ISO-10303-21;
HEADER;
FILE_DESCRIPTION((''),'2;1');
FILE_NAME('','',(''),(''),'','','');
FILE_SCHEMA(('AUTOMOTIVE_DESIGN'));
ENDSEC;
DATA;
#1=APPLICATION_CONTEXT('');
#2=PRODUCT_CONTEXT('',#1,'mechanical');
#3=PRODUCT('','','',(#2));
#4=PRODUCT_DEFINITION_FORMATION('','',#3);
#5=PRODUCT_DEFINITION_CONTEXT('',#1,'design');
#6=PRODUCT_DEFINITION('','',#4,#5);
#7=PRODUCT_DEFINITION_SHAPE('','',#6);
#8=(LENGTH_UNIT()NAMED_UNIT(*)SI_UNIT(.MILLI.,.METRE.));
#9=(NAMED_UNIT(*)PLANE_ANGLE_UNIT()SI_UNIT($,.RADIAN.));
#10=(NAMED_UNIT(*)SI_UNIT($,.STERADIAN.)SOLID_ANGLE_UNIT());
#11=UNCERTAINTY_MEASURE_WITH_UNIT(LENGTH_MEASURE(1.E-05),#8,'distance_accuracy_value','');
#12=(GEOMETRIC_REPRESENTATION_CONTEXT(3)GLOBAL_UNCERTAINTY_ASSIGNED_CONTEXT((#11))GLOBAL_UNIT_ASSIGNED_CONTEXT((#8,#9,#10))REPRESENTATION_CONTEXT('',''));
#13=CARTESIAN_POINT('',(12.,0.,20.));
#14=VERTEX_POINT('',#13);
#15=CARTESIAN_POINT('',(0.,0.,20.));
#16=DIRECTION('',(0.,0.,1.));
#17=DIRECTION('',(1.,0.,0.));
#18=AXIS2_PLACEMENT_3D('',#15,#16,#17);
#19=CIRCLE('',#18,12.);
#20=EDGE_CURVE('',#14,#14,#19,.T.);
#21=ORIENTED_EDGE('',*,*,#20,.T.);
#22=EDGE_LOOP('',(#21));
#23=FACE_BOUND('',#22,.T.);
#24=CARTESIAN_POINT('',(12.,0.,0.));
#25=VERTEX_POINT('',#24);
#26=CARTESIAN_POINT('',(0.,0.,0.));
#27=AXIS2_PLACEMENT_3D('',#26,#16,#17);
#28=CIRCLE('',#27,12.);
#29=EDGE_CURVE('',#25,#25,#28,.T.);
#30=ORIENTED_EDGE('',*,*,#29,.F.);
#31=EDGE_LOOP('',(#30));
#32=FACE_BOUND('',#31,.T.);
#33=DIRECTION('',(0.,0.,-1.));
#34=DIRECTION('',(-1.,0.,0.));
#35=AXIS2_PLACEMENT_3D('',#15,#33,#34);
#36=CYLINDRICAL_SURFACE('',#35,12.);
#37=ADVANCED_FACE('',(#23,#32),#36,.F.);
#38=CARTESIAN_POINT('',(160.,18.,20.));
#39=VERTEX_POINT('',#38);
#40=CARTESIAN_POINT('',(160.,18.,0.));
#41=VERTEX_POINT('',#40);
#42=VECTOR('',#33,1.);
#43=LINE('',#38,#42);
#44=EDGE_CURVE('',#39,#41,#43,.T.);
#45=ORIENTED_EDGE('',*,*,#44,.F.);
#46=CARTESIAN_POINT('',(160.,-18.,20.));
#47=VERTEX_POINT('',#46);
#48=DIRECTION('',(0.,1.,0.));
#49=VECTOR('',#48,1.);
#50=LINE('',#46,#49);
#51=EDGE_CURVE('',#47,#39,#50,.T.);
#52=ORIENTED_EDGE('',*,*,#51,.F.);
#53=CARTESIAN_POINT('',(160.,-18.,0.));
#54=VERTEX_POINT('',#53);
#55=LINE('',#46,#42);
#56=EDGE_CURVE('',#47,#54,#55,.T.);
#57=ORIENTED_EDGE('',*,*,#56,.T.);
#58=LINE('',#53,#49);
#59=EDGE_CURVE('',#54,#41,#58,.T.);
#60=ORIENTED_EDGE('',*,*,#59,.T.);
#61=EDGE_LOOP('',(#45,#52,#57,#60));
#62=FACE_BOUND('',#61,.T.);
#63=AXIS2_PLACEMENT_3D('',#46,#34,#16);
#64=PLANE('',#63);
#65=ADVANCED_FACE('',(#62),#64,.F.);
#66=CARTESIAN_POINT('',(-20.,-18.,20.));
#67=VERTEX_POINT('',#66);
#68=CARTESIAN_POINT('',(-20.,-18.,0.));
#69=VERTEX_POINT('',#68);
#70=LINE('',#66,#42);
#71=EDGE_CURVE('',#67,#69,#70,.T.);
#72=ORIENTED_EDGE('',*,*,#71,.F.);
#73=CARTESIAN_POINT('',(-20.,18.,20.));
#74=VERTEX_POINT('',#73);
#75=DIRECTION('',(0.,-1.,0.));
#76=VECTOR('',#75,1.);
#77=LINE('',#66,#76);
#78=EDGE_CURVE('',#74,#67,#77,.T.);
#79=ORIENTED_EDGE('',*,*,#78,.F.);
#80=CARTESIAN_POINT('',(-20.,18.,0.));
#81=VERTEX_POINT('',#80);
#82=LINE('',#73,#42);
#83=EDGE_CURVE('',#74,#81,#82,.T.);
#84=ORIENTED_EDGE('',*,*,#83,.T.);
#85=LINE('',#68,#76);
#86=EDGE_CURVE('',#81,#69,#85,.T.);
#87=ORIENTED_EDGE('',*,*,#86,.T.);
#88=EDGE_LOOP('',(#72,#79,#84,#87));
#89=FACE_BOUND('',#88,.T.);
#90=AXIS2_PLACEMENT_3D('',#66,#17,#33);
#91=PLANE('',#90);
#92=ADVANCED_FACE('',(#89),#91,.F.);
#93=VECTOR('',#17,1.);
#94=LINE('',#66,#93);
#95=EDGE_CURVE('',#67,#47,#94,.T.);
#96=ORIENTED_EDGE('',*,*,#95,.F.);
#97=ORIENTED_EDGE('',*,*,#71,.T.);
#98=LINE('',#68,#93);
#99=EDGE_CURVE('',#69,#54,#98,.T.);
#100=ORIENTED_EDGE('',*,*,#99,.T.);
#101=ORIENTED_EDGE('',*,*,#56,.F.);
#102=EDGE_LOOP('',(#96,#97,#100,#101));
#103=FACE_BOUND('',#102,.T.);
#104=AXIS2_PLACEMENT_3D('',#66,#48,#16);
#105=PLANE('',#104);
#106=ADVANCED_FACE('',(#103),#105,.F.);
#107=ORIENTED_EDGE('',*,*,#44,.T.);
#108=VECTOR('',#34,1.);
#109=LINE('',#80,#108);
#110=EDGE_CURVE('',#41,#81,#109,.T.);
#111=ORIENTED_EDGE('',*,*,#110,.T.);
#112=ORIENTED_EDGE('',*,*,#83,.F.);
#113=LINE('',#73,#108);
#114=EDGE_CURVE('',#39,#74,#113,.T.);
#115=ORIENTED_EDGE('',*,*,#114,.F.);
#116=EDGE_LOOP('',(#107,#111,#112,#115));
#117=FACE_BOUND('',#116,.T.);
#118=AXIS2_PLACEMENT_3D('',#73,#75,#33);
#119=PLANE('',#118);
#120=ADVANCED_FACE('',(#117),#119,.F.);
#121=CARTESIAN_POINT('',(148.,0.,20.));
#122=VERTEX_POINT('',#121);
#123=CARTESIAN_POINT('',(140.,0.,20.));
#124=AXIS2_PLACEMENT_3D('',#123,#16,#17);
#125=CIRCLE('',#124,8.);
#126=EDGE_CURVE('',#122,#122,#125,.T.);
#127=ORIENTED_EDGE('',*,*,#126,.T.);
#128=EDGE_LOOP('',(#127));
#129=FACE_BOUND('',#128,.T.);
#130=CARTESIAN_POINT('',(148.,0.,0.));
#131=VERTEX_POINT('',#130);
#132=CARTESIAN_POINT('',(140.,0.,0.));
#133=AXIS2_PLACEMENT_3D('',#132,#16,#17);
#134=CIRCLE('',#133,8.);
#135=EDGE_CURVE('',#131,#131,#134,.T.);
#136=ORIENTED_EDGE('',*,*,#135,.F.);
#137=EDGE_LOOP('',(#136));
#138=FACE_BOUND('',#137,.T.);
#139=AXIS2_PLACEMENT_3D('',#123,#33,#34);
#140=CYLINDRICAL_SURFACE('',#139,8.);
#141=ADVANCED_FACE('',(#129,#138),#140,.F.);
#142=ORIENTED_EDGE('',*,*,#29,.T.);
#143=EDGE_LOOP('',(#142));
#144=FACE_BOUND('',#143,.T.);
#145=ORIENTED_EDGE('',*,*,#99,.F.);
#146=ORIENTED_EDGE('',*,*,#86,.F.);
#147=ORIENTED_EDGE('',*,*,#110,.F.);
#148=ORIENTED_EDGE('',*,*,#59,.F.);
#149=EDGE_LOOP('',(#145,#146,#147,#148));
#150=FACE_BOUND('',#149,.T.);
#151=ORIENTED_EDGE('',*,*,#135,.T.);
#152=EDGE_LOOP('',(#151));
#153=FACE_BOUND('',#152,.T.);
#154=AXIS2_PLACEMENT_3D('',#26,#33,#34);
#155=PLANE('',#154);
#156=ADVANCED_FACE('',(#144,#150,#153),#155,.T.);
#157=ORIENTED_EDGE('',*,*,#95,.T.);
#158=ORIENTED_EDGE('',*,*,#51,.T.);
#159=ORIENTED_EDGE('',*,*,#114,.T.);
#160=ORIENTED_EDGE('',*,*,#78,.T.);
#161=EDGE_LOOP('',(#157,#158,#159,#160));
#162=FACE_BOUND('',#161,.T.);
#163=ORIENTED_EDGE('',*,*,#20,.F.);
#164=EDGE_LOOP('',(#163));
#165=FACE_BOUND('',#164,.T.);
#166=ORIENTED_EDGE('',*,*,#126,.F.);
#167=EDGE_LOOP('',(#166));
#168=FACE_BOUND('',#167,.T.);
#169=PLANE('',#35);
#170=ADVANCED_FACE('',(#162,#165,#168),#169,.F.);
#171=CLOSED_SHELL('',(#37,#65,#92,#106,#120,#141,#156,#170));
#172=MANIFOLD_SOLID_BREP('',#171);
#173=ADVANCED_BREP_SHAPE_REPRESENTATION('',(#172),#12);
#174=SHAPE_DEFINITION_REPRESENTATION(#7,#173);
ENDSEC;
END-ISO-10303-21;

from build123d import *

# Parameters (mm, degrees)
SKETCH1_W           = 180
SKETCH1_H           = 36
SKETCH1_R           = 12
SKETCH1_R_2         = 8
BOSS_EXTRUDE1_DEPTH = 20


with BuildPart() as part:
    # Sketch1 → Boss-Extrude1 (new body)
    with BuildSketch(Plane.XY):
        with Locations((70, 0)):
            Rectangle(SKETCH1_W, SKETCH1_H)
        Circle(SKETCH1_R, mode=Mode.SUBTRACT)
        with Locations((140, 0)):
            Circle(SKETCH1_R_2, mode=Mode.SUBTRACT)
    extrude(amount=BOSS_EXTRUDE1_DEPTH)


solid = part.part
